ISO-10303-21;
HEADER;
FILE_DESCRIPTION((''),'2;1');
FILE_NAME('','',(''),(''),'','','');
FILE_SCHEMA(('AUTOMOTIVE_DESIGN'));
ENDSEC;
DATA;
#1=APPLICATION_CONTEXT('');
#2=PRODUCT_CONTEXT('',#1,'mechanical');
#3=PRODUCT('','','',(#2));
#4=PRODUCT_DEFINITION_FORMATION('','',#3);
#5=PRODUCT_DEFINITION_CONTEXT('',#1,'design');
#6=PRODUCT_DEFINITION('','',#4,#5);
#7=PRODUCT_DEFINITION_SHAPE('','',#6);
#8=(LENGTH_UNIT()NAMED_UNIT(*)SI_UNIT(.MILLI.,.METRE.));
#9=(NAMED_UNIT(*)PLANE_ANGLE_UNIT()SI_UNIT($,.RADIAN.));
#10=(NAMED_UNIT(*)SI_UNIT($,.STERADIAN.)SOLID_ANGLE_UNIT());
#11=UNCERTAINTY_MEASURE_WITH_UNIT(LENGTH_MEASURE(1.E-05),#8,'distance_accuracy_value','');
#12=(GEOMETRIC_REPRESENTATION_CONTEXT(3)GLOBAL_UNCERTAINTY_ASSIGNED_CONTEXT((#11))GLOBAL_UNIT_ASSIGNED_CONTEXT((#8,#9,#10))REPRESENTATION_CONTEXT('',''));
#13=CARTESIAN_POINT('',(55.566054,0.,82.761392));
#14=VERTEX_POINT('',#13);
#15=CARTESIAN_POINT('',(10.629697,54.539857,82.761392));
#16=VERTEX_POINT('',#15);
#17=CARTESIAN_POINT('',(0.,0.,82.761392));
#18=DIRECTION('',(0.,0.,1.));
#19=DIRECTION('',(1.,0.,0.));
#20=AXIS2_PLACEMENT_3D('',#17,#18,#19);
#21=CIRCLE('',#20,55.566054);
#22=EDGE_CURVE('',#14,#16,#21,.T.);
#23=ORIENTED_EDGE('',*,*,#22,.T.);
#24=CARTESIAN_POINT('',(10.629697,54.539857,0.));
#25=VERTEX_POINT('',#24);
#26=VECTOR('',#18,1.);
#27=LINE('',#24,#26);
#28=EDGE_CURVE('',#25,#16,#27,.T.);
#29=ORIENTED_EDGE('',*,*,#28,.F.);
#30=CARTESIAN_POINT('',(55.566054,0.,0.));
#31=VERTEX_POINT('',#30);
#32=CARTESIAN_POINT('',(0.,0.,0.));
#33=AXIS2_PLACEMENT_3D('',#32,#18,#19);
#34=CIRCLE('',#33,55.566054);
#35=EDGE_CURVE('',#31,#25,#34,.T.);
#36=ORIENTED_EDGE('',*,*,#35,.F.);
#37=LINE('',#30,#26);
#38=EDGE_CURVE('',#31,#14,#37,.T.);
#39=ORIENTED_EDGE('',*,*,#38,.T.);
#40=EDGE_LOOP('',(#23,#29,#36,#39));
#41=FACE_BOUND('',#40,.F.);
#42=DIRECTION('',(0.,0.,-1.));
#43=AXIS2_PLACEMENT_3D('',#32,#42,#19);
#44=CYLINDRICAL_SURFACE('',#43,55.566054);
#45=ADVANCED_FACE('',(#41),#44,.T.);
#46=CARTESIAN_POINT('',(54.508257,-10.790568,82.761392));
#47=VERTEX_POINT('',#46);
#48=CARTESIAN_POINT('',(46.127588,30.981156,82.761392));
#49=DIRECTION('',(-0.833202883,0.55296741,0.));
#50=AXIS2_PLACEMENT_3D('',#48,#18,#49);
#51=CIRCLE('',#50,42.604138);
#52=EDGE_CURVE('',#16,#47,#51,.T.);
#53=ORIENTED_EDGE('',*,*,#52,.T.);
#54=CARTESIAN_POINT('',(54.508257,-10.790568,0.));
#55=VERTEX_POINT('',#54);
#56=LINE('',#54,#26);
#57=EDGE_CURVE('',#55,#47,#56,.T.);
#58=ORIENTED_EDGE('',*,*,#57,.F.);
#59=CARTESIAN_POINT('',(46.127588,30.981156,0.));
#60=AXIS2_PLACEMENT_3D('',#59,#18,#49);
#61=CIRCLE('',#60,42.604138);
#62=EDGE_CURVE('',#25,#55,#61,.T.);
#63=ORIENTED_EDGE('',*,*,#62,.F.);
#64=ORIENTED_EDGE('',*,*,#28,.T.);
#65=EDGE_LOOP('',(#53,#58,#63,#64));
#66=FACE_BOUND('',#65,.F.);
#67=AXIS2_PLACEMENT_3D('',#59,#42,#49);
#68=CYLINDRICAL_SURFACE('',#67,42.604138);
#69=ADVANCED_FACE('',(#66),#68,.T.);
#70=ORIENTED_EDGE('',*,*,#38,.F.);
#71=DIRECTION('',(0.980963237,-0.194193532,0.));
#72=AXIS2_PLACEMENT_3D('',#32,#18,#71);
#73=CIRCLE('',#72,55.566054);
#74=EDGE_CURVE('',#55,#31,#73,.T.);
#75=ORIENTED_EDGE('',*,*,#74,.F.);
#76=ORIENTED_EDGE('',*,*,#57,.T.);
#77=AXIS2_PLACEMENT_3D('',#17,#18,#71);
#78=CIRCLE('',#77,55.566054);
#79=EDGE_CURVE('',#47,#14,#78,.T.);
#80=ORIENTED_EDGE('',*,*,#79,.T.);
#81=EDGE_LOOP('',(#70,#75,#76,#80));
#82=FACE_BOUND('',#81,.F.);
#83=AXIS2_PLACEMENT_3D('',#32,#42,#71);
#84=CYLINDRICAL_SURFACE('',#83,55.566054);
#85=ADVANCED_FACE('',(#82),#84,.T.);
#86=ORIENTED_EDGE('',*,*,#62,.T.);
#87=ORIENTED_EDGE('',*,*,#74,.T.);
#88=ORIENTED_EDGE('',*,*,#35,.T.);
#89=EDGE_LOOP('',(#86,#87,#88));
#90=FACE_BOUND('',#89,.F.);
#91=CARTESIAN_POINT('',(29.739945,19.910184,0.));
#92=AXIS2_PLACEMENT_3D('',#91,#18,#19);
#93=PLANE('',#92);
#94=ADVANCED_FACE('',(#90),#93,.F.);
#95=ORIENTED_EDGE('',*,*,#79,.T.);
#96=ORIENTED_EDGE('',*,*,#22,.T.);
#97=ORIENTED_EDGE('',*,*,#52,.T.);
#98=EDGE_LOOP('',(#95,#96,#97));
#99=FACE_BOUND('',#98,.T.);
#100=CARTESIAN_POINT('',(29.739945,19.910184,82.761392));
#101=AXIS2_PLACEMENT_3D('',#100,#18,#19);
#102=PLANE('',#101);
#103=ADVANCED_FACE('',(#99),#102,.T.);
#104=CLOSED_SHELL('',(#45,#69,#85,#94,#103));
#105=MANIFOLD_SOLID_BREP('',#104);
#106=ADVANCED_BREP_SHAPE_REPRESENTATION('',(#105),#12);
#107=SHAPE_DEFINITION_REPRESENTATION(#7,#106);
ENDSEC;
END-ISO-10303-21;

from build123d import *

# Parameters (mm, degrees)
F1_DEPTH = 82.7613919973


with BuildPart() as f1:
    # F0 (on Top) → F1 (new body)
    with BuildSketch(Plane.XY):
        with BuildLine():
            ThreePointArc((54.5082566371, -10.7905683579), (55.300972701, -5.4211461357), (55.5660544496, 0))
            ThreePointArc((55.5660544496, 0), (42.8849432711, 35.3336673406), (10.6296968082, 54.5398565534))
            ThreePointArc((10.6296968082, 54.5398565534), (10.7602010957, 7.2269869389), (54.5082566371, -10.7905683579))
        make_face()
    extrude(amount=F1_DEPTH)


solid = f1.part
